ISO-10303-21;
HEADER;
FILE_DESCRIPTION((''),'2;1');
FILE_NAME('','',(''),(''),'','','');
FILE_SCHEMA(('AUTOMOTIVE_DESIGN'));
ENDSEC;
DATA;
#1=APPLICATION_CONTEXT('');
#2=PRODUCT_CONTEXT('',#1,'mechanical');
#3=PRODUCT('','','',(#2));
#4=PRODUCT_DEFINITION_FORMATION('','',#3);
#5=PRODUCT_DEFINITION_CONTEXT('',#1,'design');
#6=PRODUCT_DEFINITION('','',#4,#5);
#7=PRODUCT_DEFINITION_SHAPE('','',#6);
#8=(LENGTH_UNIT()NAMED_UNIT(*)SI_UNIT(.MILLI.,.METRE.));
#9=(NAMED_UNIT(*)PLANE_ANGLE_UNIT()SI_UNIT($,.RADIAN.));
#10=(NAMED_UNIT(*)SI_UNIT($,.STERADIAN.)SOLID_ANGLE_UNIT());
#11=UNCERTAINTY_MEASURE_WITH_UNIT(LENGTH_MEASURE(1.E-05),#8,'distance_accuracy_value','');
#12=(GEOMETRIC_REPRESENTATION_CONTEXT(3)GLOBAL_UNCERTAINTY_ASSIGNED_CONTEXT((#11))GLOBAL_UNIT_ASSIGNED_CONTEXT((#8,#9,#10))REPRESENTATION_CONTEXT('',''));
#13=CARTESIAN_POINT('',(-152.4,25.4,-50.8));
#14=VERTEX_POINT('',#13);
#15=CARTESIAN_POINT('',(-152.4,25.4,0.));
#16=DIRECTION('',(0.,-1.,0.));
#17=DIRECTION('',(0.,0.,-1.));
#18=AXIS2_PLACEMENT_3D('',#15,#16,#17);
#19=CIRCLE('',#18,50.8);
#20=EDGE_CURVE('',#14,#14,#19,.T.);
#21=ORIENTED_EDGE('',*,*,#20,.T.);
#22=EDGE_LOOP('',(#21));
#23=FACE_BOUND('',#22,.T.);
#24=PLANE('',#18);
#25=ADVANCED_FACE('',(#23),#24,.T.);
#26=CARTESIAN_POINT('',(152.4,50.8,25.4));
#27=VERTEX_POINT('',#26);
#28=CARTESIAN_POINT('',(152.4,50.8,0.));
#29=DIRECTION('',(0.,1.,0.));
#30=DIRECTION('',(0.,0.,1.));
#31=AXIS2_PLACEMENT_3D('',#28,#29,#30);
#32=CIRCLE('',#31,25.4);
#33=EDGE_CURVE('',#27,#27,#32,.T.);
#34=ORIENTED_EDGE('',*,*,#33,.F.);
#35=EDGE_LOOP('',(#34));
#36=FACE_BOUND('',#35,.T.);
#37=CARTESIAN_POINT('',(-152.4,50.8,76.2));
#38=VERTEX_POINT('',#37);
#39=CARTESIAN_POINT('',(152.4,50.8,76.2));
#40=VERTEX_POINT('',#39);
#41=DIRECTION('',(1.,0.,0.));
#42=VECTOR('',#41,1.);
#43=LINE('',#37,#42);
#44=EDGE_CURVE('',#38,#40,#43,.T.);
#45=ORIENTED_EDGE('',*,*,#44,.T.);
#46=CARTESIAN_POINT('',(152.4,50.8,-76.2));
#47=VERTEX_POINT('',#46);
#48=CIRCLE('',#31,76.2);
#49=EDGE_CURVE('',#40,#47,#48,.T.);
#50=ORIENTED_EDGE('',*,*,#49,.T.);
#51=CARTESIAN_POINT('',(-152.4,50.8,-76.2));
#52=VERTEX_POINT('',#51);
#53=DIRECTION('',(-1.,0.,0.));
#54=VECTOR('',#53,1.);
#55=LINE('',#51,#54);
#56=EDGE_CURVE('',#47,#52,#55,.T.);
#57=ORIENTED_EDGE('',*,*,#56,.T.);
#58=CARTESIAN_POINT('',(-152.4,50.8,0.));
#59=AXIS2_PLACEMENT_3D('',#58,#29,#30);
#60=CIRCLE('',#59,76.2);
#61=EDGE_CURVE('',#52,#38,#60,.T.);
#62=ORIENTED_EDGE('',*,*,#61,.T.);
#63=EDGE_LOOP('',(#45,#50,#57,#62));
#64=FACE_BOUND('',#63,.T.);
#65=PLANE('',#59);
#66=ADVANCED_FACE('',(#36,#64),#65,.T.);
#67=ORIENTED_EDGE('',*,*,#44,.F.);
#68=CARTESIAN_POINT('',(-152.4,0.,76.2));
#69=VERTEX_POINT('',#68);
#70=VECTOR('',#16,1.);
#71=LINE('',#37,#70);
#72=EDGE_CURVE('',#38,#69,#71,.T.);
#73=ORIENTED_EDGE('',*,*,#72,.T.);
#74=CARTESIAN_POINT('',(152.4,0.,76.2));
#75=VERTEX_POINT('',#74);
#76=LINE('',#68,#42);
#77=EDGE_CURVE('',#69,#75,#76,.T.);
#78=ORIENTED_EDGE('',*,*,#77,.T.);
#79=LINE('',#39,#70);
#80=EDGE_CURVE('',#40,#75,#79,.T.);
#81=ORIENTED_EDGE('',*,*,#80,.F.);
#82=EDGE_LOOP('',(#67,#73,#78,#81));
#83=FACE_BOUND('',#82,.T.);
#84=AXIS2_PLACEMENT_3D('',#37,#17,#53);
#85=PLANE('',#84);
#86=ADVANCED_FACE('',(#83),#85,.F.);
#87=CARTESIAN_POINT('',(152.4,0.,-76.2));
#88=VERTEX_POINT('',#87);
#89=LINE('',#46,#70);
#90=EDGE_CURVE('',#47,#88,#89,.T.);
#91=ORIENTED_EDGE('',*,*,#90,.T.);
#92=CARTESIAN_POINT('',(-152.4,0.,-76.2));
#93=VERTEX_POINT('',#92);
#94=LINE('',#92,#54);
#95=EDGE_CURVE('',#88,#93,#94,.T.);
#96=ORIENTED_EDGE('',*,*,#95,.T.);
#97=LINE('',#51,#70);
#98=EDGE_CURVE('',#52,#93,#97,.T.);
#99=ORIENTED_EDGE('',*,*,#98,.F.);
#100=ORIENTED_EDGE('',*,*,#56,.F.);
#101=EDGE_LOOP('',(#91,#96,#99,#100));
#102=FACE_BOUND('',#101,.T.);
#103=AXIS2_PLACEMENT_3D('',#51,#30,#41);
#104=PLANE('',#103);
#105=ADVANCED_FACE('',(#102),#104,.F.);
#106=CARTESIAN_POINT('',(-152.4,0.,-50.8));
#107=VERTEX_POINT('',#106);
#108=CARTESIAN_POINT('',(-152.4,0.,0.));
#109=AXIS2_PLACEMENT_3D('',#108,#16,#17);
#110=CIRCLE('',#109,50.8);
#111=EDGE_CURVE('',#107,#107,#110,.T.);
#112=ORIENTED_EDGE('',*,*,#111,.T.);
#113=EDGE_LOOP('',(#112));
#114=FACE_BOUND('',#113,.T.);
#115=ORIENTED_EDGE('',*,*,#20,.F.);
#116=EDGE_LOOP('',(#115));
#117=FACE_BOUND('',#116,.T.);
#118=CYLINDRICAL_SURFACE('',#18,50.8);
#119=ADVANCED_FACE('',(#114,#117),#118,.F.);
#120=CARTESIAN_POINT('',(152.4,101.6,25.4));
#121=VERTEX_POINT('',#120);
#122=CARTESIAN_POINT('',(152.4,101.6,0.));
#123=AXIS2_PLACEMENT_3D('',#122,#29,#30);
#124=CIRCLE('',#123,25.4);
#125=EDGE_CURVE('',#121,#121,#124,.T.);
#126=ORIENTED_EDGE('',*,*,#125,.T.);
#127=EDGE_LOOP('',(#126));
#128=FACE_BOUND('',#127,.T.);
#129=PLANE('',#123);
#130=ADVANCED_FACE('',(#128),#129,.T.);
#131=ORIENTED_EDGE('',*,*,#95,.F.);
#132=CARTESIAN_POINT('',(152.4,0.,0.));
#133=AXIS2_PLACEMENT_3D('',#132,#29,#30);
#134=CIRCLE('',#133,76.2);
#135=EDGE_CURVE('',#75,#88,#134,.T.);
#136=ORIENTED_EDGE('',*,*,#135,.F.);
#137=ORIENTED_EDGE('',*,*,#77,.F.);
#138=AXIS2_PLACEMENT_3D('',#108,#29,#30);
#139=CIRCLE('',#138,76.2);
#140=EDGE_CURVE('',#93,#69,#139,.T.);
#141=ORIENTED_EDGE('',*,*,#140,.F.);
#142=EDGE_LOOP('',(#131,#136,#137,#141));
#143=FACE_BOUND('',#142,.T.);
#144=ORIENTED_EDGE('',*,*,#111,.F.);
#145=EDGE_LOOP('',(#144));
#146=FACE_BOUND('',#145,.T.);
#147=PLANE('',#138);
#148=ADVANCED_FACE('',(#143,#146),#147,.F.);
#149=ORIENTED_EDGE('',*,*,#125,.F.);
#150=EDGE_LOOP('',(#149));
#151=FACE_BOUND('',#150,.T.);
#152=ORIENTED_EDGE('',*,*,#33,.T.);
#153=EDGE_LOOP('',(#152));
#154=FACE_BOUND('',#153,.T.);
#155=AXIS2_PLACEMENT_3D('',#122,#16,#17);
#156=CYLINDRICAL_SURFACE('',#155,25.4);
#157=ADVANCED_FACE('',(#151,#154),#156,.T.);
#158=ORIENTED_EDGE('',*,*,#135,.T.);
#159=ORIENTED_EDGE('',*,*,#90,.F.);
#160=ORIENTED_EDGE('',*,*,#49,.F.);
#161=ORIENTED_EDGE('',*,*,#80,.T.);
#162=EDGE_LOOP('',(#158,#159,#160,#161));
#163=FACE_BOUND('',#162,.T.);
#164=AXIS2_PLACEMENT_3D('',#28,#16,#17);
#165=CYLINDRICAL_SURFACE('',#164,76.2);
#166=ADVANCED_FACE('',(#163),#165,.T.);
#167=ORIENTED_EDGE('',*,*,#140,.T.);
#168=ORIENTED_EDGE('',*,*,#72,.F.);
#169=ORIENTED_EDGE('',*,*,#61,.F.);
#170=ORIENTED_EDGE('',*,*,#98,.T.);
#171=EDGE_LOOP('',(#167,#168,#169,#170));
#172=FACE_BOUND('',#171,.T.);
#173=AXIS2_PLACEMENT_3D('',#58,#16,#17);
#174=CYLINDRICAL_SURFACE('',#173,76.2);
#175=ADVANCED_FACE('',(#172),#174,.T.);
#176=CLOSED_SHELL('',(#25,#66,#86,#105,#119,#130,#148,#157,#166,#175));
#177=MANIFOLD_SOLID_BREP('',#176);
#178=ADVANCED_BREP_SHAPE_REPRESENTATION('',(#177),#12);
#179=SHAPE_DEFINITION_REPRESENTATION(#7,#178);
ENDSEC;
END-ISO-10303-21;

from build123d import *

# Parameters (mm, degrees)
LINK1_DEPTH         = 50.8
SKETCH2_R           = 50.8
BOTTOMCUT_DEPTH     = 25.4
SKETCH3_R           = 25.4
BOSS_EXTRUDE1_DEPTH = 50.8


with BuildPart() as part:
    # Sketch1 → link1 (new body)
    with BuildSketch(Plane(origin=(0, 0, 0), x_dir=(1, 0, 0), z_dir=(0, 1, 0))):
        with BuildLine():
            Line((-152.4, 76.2), (152.4, 76.2))
            ThreePointArc((152.4, 76.2), (228.6, 0), (152.4, -76.2))
            Line((152.4, -76.2), (-152.4, -76.2))
            ThreePointArc((-152.4, -76.2), (-228.6, 0), (-152.4, 76.2))
        make_face()
    extrude(amount=LINK1_DEPTH)

    # Sketch2 → bottomcut (cut)
    with BuildSketch(Plane.XZ):
        with Locations(Location((-152.4, 0, 0), (0, 0, 270))):
            Circle(SKETCH2_R)
    extrude(amount=-BOTTOMCUT_DEPTH, mode=Mode.SUBTRACT)

    # Sketch3 → Boss-Extrude1 (add)
    with BuildSketch(Plane(origin=(0, 50.8, 0), x_dir=(1, 0, 0), z_dir=(0, 1, 0))):
        with Locations(Location((152.4, 0, 0), (0, 0, 270))):
            Circle(SKETCH3_R)
    extrude(amount=BOSS_EXTRUDE1_DEPTH)


solid = part.part
